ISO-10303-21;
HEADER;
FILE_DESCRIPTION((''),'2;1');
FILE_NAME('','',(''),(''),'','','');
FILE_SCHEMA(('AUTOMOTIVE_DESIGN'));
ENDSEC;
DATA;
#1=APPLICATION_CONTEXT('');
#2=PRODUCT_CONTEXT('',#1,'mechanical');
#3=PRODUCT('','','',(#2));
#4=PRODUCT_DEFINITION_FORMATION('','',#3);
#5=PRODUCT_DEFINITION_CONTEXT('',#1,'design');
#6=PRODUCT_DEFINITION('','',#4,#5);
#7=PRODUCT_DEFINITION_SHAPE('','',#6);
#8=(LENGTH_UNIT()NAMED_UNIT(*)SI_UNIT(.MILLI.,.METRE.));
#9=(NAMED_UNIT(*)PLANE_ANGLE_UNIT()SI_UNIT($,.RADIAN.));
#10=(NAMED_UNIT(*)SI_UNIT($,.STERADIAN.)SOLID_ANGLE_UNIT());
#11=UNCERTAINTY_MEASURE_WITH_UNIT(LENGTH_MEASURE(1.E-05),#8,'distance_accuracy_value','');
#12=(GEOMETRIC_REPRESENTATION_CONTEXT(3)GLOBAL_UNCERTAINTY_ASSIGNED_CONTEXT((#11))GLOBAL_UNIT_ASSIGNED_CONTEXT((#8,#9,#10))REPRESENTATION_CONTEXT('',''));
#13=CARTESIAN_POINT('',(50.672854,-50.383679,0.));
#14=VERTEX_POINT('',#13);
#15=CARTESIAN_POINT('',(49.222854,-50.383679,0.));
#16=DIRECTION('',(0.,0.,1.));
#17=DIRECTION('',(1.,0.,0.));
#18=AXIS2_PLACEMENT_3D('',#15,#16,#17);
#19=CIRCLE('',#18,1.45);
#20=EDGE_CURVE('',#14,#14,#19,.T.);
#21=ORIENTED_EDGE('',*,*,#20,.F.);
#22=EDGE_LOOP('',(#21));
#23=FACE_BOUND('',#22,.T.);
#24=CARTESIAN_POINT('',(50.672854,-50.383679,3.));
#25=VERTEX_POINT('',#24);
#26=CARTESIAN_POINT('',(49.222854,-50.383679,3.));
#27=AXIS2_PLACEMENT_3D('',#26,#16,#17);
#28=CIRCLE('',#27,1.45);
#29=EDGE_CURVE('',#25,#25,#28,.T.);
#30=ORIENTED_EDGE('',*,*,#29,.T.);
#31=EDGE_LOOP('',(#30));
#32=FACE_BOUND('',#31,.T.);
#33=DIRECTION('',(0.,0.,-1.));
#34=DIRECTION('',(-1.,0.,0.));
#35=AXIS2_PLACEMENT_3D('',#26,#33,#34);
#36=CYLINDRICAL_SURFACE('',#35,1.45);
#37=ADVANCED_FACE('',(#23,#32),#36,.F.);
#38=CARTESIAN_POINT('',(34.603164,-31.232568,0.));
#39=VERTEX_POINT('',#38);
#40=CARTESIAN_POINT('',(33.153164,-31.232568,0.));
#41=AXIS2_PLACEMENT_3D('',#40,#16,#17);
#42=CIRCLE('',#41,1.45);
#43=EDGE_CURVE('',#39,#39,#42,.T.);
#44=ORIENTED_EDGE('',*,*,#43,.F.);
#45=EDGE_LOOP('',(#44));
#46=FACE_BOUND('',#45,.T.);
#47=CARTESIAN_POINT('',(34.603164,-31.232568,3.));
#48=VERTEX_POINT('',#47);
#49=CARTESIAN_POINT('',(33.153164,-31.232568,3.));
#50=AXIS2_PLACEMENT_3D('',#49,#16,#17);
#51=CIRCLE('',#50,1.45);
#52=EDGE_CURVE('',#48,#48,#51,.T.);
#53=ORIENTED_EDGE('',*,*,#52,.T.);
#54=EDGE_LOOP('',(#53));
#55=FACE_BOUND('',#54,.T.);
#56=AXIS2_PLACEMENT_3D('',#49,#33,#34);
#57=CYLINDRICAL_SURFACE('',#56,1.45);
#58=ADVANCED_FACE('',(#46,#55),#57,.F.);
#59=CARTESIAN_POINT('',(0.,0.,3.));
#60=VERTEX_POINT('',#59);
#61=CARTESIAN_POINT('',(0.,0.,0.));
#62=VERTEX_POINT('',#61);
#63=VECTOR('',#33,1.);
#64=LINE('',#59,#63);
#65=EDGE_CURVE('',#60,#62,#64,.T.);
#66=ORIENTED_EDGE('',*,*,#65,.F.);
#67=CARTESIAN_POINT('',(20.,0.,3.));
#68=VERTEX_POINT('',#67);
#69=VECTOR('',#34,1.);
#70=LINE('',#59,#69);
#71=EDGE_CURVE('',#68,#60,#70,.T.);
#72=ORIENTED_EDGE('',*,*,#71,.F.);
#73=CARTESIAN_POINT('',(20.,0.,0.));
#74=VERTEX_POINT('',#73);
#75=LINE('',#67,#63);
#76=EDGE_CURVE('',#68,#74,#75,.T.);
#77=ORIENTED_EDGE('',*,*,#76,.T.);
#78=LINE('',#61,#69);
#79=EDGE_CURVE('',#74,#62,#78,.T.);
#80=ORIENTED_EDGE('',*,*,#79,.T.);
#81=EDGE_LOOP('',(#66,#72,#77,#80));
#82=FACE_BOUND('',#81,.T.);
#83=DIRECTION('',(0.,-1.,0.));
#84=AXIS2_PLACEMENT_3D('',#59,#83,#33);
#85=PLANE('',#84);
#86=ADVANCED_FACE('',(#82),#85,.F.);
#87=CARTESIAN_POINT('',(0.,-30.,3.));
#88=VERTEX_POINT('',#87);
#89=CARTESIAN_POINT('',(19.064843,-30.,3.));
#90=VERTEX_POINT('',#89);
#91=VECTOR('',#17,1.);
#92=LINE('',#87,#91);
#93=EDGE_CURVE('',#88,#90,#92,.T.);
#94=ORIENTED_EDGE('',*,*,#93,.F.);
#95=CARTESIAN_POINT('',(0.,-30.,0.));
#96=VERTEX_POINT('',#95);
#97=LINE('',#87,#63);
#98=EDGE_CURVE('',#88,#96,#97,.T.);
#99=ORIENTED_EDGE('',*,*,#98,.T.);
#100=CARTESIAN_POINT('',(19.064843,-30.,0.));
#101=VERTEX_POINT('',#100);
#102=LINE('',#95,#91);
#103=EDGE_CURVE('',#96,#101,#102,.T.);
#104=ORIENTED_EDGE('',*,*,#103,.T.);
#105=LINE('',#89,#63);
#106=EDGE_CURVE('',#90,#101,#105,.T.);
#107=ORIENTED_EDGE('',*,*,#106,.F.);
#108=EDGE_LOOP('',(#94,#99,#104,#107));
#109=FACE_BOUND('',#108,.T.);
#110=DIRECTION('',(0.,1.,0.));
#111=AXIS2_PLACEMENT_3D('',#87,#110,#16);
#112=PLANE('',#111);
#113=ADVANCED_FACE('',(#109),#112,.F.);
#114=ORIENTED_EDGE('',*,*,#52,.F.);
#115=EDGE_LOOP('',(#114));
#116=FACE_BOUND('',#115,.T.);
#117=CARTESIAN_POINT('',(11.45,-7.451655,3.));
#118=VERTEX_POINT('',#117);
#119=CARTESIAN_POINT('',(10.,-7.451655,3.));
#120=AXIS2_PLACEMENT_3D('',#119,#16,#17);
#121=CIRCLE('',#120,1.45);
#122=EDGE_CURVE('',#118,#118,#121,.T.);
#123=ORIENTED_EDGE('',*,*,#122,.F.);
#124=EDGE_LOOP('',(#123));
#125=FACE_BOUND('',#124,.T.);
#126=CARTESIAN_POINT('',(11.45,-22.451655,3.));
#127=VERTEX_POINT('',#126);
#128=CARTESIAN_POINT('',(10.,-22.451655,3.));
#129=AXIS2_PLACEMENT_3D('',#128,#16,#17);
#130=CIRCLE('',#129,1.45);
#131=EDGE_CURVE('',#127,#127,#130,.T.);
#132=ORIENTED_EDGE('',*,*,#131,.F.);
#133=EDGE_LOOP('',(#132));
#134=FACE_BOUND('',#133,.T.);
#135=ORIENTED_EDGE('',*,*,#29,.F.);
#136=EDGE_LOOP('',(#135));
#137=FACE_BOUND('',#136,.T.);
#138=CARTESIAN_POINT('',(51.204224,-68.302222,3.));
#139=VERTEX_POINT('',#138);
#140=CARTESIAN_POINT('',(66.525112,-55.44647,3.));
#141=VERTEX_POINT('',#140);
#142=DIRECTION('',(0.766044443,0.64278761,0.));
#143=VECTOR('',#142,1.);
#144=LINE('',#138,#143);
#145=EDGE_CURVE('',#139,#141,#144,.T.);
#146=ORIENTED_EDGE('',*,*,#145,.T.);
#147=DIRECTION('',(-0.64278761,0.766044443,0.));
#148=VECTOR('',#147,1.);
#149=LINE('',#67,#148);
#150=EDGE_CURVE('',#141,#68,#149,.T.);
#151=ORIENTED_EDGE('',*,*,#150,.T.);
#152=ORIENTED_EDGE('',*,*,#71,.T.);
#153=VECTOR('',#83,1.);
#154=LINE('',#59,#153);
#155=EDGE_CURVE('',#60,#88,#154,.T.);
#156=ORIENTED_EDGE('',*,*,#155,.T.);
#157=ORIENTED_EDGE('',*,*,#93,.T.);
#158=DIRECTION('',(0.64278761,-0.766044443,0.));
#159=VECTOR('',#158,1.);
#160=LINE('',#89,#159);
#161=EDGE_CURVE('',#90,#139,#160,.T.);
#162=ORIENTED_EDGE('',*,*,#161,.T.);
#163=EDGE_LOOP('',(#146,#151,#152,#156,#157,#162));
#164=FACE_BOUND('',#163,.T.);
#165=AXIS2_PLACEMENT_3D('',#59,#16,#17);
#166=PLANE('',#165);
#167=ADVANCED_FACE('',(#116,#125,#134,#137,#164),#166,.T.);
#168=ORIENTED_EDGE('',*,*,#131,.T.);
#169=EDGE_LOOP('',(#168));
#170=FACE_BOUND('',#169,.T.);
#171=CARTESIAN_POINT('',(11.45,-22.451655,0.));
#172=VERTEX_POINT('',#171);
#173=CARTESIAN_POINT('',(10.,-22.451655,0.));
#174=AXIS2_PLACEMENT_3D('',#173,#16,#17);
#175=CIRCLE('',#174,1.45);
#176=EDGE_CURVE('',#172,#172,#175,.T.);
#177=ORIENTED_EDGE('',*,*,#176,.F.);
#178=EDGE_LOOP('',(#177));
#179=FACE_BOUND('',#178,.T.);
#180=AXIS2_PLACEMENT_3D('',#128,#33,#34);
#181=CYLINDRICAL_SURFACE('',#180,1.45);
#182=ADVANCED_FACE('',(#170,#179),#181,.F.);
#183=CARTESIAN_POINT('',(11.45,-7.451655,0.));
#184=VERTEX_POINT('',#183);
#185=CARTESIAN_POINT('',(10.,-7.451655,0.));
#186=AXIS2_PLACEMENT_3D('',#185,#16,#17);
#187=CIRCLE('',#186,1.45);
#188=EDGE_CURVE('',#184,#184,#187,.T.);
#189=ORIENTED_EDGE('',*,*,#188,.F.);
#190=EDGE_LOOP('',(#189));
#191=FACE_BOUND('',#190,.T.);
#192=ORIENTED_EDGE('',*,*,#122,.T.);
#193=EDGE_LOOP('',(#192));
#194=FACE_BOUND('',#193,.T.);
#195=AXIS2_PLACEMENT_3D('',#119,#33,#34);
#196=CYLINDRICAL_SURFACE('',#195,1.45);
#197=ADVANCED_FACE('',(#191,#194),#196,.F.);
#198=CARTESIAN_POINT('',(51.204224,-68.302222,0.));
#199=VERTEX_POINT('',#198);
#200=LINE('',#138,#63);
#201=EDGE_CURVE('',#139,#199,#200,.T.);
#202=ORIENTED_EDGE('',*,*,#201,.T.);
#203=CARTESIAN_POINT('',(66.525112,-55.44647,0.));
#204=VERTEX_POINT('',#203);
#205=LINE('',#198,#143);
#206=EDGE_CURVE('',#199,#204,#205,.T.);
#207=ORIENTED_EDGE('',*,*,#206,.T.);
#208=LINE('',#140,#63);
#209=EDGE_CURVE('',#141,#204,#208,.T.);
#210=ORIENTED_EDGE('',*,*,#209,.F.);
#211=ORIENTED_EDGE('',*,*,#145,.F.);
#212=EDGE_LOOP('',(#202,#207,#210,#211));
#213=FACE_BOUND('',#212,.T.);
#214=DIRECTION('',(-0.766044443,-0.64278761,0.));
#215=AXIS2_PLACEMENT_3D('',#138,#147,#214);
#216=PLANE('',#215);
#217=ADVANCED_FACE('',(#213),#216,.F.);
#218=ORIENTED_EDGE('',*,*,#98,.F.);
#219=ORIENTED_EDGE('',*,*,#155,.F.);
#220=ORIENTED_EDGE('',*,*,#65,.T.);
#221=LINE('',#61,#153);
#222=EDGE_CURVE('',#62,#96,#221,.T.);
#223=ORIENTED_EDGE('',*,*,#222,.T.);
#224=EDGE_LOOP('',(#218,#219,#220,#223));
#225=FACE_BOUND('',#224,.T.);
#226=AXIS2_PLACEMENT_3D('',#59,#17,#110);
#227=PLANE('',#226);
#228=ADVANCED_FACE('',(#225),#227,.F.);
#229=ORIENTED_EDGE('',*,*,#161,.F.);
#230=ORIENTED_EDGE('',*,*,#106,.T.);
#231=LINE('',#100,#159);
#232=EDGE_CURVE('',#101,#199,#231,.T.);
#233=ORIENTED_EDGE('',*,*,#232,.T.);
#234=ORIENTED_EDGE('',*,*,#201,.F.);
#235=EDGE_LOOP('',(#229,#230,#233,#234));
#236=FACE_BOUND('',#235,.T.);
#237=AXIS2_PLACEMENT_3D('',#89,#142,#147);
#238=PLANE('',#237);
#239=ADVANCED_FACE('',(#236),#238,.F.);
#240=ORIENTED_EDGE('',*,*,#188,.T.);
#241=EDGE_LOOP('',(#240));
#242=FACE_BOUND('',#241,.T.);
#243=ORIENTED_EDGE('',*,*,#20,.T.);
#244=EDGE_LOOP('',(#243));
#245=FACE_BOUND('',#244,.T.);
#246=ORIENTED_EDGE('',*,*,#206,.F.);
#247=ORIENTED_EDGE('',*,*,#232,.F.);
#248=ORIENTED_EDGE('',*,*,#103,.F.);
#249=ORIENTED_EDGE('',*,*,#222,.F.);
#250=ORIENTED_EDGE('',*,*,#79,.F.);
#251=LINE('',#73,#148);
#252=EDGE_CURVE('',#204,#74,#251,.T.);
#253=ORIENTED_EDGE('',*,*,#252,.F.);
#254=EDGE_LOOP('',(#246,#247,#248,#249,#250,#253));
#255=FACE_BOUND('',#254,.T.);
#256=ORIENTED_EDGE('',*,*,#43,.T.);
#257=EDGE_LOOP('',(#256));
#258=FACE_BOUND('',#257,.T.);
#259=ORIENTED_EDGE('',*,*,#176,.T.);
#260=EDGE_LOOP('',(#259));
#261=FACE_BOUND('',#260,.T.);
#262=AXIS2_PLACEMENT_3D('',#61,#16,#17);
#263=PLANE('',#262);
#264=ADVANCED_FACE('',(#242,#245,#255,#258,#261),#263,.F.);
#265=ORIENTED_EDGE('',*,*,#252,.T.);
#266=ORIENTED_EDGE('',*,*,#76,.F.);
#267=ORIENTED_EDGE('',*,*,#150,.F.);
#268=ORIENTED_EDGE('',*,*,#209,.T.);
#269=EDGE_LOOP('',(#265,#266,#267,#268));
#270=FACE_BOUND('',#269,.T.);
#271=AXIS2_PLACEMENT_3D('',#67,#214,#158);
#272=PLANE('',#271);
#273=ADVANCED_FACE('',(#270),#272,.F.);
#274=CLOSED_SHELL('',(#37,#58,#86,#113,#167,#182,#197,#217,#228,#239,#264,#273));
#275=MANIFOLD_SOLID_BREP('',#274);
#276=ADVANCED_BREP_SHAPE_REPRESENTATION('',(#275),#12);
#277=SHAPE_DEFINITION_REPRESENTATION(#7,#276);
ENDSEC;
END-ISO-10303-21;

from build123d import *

# Parameters (mm, degrees)
SKETCH1_R           = 1.45
BOSS_EXTRUDE1_DEPTH = 3


with BuildPart() as part:
    # Sketch1 → Boss-Extrude1 (new body)
    with BuildSketch(Plane.XY):
        Polygon((20, 0), (66.525112495, -55.446469962), (51.204223633, -68.302222156), (19.064843149, -30), (0, -30), (0, 0), align=None)
        with Locations((10, -7.451655145)):
            Circle(SKETCH1_R, mode=Mode.SUBTRACT)
        with Locations((10, -22.451655145)):
            Circle(SKETCH1_R, mode=Mode.SUBTRACT)
        with Locations((49.222853919, -50.383679412)):
            Circle(SKETCH1_R, mode=Mode.SUBTRACT)
        with Locations((33.153163677, -31.232568334)):
            Circle(SKETCH1_R, mode=Mode.SUBTRACT)
    extrude(amount=BOSS_EXTRUDE1_DEPTH)


solid = part.part
